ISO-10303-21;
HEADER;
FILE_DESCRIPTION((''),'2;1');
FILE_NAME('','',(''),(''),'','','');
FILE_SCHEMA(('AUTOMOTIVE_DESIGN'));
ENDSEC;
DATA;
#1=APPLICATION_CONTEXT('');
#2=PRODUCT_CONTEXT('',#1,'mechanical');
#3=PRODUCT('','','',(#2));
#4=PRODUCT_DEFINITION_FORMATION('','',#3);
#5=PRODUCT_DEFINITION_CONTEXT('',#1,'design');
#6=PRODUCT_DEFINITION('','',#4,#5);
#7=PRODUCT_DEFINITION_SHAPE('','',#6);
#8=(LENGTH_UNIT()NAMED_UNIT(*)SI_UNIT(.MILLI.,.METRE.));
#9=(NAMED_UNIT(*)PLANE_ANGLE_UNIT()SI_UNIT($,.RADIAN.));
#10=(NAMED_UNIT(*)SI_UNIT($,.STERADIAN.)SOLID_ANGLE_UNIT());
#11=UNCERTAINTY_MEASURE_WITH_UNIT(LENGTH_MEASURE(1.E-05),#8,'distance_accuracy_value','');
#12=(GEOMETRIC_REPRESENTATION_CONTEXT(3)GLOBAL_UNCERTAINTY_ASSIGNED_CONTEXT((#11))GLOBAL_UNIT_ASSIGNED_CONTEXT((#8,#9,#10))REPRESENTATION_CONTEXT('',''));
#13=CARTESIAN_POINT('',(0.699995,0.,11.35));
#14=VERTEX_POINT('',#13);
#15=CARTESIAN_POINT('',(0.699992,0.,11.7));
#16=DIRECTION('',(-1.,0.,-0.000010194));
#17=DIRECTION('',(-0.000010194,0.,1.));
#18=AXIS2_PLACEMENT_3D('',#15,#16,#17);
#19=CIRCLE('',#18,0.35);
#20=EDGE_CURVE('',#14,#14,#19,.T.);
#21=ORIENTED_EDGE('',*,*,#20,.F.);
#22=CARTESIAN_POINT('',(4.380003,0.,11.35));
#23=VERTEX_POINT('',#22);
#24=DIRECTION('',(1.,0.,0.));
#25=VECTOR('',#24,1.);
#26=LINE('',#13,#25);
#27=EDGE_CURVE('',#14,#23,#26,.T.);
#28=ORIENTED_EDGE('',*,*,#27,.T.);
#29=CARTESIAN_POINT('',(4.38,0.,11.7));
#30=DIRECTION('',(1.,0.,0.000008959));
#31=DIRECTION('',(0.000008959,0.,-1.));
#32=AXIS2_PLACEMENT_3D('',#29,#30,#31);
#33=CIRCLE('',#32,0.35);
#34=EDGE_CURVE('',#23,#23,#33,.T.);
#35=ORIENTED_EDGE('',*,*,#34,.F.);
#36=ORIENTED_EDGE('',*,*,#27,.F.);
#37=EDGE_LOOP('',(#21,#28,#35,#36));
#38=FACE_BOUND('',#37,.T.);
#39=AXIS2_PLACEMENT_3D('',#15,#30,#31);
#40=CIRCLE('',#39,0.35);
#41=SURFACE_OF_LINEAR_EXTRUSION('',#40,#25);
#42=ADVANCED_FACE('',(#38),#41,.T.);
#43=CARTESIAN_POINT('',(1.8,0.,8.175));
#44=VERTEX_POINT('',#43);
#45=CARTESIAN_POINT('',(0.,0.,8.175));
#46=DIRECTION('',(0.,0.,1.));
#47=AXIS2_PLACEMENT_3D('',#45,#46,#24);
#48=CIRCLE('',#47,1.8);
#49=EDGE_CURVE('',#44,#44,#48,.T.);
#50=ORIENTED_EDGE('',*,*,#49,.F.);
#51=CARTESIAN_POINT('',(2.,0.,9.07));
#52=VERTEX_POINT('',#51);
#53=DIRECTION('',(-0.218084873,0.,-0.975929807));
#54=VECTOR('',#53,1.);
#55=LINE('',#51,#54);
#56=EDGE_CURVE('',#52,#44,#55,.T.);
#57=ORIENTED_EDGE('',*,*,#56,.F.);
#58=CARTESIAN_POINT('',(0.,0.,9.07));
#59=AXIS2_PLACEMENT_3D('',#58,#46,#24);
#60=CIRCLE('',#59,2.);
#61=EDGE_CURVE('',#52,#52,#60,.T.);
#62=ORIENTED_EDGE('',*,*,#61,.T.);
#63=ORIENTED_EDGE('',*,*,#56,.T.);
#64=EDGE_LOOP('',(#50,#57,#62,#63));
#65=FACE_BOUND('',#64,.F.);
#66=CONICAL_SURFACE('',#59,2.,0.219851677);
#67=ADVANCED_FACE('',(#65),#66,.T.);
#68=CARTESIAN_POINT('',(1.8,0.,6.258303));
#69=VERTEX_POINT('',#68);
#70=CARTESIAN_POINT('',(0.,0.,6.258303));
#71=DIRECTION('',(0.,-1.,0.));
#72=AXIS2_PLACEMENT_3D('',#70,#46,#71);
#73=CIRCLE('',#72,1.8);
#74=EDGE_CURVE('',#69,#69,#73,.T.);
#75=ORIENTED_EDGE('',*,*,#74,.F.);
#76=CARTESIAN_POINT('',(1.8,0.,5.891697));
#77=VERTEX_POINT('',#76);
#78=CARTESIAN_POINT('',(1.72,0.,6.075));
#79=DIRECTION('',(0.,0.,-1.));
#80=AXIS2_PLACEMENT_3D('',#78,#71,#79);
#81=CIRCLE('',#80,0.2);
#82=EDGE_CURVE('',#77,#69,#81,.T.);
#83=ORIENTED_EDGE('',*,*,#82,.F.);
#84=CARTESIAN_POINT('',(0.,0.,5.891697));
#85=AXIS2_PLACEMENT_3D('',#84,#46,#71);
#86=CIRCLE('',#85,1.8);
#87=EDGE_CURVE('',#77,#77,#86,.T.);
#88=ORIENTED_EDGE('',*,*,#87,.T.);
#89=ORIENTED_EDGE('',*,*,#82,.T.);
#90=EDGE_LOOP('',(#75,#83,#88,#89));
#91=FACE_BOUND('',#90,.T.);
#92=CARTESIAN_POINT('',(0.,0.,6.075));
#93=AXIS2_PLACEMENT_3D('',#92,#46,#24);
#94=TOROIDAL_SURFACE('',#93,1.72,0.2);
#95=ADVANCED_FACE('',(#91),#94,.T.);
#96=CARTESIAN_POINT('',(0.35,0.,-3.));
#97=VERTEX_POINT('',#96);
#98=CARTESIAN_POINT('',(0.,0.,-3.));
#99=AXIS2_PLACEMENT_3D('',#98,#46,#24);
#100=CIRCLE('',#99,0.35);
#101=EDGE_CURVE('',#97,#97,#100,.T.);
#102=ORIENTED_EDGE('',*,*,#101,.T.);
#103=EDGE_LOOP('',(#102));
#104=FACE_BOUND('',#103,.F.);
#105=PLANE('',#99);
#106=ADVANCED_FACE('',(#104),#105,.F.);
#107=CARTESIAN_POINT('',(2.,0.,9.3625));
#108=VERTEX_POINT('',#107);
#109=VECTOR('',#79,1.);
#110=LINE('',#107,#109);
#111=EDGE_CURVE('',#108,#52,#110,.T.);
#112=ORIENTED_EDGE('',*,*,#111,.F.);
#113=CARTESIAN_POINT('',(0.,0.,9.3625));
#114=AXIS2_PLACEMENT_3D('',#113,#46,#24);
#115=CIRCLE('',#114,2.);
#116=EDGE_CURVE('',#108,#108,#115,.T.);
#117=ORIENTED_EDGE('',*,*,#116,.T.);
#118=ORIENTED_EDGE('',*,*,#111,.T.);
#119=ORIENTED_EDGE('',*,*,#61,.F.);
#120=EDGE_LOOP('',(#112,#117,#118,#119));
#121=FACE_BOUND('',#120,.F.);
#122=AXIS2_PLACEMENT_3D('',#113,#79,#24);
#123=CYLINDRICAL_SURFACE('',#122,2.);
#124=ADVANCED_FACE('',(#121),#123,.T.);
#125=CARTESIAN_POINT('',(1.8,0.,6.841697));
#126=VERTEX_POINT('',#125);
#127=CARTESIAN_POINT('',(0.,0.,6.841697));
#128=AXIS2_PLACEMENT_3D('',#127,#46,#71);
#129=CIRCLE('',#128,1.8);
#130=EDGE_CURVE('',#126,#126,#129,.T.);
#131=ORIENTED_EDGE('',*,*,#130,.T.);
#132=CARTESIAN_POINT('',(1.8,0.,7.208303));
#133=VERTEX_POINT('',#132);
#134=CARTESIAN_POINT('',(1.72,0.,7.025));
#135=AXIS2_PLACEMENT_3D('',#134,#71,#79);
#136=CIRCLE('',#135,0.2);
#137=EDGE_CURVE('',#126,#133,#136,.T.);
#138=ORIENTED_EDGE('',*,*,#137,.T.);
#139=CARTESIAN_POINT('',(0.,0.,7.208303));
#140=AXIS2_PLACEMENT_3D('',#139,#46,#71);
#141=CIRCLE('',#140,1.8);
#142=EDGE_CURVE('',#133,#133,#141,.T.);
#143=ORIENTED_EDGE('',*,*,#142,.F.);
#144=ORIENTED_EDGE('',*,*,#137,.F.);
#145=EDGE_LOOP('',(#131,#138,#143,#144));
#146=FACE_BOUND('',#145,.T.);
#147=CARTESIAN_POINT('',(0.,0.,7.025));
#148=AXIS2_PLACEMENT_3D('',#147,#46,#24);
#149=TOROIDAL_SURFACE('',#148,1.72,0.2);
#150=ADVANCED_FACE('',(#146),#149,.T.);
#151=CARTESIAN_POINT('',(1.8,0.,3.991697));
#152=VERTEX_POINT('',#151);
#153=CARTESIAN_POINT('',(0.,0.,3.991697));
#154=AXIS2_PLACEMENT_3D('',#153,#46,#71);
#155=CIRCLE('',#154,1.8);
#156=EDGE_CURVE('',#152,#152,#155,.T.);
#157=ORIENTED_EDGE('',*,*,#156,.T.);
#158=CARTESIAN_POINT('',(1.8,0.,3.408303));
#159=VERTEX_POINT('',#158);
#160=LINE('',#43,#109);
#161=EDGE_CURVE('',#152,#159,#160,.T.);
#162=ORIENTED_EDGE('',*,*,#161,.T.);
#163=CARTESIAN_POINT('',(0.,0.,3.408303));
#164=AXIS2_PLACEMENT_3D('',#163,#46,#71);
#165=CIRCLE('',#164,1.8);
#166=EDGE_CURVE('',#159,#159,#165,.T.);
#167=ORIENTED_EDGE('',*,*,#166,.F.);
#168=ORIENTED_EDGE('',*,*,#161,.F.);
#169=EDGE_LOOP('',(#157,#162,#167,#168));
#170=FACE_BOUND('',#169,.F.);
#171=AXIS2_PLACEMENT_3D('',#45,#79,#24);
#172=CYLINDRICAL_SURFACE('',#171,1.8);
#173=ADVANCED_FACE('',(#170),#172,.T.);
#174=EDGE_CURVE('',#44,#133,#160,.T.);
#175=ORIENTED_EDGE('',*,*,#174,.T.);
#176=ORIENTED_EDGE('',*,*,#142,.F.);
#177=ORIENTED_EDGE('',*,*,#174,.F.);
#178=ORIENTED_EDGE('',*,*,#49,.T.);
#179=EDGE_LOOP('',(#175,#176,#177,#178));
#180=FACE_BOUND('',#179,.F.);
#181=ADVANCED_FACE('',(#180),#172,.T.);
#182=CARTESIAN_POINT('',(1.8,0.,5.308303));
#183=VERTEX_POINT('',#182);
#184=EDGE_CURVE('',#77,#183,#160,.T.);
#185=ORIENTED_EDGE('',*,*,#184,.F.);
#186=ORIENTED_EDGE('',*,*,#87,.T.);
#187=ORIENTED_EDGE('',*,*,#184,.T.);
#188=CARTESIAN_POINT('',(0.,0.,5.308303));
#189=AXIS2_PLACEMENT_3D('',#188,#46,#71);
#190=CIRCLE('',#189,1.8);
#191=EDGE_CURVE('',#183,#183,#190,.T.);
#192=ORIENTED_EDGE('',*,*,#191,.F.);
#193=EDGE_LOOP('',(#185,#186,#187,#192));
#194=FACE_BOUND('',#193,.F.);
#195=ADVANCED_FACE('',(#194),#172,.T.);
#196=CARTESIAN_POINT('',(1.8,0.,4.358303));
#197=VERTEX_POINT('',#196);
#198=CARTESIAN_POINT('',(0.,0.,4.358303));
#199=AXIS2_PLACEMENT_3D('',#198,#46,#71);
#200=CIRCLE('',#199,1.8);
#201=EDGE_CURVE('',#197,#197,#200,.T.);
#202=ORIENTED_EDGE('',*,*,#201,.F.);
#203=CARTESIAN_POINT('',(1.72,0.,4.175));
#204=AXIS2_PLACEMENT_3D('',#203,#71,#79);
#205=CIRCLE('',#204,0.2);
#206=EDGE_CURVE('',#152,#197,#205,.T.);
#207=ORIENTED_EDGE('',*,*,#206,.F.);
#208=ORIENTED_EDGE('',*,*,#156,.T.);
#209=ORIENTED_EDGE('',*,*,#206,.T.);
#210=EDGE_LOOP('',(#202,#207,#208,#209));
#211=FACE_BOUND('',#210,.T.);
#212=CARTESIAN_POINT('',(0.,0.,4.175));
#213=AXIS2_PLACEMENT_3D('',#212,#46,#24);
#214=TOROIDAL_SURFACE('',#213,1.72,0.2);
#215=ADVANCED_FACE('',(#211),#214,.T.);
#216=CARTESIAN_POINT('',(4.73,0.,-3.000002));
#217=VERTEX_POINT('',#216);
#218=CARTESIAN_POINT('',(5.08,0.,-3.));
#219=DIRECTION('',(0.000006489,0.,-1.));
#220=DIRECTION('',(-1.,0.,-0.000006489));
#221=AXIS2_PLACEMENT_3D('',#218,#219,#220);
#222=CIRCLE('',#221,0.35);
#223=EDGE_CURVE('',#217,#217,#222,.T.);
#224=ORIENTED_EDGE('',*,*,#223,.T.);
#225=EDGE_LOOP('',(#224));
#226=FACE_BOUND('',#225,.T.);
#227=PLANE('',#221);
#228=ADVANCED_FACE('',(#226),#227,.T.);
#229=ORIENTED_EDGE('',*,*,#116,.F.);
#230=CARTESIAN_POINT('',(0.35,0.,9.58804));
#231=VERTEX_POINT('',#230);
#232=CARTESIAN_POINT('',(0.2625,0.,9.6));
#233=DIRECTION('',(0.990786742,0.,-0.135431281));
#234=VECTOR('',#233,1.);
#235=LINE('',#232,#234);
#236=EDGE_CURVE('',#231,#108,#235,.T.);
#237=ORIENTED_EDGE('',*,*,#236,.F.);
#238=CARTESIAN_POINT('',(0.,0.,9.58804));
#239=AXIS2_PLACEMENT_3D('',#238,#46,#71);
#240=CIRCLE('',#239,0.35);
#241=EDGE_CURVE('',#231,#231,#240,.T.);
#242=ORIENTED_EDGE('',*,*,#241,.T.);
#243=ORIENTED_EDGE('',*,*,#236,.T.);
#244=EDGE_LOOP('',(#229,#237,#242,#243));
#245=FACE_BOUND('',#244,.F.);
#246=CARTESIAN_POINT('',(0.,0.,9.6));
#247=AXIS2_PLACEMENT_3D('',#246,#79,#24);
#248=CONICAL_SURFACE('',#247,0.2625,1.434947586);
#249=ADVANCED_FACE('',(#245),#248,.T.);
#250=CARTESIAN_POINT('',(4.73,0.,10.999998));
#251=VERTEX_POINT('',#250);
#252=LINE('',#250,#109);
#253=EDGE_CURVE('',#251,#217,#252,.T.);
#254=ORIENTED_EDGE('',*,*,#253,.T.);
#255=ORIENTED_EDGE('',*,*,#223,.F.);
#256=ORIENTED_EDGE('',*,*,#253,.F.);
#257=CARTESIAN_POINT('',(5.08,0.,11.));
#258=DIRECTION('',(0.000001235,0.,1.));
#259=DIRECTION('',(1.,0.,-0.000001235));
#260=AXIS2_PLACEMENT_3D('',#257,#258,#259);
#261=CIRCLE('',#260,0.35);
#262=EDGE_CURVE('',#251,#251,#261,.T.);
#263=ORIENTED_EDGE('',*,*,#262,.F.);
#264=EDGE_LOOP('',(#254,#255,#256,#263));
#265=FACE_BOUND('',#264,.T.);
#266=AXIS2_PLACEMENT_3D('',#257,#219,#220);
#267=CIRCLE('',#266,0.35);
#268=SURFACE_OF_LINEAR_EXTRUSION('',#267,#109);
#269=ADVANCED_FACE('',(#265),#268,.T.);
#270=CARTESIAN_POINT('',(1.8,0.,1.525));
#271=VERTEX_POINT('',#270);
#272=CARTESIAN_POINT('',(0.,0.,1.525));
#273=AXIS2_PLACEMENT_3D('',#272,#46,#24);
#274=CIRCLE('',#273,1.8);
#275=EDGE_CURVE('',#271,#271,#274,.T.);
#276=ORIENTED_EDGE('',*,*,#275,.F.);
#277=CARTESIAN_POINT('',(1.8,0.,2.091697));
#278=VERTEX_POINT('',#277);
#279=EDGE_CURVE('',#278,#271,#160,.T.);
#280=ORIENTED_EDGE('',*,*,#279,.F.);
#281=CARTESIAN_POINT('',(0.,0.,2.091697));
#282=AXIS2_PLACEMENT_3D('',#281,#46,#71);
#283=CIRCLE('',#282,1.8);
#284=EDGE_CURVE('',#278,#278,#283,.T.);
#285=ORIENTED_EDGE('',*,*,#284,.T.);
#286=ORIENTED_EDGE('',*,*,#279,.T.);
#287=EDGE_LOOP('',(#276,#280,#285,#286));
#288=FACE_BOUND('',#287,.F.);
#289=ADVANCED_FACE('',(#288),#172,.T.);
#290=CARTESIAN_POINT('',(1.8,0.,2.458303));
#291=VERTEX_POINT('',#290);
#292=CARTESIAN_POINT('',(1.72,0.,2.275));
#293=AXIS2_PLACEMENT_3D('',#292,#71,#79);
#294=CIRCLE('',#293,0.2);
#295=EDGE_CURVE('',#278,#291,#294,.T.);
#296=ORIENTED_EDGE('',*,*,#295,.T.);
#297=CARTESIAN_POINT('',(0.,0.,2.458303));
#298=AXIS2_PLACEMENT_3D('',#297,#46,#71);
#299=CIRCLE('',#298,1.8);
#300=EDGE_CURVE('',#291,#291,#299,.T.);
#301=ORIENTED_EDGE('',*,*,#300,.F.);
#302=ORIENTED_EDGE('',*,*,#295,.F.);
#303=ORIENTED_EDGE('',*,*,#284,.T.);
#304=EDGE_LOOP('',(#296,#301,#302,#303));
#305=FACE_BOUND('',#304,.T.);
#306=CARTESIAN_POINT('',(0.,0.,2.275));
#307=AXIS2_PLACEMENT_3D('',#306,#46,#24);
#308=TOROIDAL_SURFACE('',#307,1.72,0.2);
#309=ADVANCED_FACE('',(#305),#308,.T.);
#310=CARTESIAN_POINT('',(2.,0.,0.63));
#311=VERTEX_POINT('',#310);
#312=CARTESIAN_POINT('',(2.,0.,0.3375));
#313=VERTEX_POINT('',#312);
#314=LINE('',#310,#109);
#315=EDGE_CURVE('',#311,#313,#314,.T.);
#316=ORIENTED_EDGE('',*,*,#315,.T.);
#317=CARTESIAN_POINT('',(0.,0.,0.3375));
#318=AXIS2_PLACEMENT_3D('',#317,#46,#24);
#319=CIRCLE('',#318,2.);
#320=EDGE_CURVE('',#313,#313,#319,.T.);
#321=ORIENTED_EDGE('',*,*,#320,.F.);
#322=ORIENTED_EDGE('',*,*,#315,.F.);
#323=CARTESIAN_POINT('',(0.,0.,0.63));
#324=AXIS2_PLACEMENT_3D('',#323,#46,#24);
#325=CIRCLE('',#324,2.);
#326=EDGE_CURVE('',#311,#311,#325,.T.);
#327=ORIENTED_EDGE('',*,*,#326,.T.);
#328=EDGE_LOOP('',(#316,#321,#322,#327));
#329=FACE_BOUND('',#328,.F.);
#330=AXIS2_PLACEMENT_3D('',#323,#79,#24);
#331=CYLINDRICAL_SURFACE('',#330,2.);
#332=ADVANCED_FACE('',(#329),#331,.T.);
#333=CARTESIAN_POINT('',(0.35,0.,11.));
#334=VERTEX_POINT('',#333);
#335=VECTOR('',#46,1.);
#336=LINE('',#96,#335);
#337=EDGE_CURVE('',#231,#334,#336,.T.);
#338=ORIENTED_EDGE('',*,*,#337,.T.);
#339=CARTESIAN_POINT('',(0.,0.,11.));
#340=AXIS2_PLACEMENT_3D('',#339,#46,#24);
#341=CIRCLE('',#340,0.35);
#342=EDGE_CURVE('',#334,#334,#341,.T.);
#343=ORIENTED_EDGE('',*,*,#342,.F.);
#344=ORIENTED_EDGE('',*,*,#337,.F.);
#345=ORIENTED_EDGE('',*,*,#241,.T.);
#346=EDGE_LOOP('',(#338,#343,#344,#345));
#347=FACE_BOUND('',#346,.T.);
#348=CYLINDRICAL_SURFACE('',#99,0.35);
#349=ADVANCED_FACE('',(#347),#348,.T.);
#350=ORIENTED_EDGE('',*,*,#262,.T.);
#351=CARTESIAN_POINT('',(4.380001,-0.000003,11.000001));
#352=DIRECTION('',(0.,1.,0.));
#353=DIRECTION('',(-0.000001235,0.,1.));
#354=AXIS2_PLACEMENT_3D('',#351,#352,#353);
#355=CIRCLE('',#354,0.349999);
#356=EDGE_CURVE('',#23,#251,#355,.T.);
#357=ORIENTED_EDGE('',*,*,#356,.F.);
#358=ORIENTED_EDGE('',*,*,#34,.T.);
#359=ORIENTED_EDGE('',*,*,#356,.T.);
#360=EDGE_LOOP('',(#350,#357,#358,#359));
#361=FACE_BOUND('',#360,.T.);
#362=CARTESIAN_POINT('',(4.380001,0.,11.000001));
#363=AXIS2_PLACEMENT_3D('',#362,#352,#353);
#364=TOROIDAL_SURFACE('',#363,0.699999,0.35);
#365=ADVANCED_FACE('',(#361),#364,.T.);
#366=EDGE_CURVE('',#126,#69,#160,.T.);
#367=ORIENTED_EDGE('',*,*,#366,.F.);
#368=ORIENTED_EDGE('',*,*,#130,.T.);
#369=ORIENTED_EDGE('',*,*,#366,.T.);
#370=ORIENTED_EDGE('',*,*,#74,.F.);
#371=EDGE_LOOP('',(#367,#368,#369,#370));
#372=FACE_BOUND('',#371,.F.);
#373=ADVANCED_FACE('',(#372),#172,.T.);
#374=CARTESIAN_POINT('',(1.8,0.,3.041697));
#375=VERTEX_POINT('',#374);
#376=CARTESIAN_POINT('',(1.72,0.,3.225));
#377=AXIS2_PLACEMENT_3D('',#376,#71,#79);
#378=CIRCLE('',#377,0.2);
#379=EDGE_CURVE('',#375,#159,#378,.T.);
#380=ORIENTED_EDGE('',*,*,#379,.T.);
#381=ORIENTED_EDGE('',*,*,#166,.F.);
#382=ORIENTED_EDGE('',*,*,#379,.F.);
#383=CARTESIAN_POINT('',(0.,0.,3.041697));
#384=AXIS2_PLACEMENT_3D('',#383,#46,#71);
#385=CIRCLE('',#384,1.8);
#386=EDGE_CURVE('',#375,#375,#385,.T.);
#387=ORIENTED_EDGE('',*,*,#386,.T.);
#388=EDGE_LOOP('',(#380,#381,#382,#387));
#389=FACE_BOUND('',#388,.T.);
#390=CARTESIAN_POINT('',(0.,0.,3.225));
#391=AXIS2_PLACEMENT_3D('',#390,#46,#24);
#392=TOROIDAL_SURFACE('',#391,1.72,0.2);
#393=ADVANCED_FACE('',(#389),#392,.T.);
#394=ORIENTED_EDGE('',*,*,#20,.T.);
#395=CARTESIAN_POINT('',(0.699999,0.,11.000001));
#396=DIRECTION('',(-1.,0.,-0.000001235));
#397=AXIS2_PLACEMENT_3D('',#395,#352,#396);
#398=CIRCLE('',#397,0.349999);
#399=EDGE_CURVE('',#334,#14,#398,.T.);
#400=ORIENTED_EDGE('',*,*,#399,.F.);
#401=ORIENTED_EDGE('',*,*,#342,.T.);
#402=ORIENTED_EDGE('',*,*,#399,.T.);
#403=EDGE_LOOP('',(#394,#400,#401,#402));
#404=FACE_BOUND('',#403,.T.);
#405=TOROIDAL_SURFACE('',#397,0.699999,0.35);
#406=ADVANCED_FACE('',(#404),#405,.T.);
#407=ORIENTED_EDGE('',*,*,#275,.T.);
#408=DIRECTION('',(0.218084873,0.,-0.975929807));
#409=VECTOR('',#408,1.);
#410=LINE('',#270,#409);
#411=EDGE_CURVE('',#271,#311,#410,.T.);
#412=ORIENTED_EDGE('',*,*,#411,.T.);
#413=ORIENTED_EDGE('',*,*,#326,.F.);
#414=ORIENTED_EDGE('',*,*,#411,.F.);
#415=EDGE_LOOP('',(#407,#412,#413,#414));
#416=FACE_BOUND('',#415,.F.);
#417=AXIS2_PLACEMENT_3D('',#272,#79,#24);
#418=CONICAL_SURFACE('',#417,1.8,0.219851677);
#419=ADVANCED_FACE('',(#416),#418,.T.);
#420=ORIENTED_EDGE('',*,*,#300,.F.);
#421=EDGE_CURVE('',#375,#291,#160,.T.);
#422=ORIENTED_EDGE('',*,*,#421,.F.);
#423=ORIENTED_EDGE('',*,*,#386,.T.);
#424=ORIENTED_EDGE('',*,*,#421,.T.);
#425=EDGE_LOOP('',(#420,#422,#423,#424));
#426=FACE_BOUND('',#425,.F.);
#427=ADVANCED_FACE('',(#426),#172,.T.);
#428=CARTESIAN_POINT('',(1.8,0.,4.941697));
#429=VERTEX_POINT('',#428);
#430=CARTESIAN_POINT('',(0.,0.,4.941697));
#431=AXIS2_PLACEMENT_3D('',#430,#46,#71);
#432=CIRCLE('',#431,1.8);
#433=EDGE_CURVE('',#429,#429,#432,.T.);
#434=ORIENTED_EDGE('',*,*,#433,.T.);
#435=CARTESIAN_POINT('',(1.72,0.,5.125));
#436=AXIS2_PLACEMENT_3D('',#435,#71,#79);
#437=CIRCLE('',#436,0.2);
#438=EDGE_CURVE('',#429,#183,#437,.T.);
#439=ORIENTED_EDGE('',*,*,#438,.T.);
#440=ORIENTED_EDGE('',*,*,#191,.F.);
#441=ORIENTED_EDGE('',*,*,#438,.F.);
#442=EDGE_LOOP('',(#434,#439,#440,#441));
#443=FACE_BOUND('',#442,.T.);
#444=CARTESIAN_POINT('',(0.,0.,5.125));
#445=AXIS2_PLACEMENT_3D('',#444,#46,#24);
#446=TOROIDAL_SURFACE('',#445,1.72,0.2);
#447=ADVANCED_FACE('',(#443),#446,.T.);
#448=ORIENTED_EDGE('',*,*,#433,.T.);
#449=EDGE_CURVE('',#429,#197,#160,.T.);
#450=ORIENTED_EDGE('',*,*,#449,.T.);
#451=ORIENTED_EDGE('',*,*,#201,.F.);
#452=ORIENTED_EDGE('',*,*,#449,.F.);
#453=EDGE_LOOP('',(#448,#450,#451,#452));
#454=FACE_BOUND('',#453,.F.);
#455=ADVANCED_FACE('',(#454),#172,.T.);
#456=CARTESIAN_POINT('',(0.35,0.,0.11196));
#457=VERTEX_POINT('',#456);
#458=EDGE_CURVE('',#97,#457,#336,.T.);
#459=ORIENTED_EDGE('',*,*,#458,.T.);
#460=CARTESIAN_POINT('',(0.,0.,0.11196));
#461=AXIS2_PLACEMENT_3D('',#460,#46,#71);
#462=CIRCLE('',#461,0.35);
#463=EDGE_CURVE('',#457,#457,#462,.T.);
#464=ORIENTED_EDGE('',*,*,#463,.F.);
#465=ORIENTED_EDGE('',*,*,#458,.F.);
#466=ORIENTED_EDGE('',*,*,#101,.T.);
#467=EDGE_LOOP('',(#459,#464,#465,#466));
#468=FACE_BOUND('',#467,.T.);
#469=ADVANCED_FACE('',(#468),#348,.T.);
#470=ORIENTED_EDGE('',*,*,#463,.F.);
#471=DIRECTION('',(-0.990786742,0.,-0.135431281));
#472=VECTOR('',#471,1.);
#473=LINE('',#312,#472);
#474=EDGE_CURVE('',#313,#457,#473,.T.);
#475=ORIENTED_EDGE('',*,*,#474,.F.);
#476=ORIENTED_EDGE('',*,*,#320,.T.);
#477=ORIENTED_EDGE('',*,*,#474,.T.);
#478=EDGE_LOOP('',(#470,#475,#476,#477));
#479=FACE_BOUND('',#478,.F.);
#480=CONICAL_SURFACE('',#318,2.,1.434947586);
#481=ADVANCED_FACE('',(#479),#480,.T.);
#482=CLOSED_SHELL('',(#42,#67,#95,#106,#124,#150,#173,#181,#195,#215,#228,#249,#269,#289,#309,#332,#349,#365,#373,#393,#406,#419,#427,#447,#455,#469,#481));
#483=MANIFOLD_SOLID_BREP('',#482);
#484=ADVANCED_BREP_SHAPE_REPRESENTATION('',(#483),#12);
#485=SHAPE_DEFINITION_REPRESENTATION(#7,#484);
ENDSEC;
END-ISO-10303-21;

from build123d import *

# Parameters (mm, degrees)
SKETCH_R = 0.35


with BuildPart() as revolution:
    # Sketch002 → Revolution (revolve)
    with BuildSketch(Plane.XZ):
        Polygon((0, 0.1), (0, 9.6), (0.2625, 9.6), (2, 9.3625), (2, 9.07), (1.8, 8.175), (1.8, 1.525), (2, 0.63), (2, 0.3375), (0.2625, 0.1), align=None)
    revolve(axis=Axis((0, 0, 0), (0, 0, 1)))


with BuildPart() as revolution001:
    # Sketch003 → Revolution001 (revolve)
    with BuildSketch(Plane.XZ):
        with BuildLine():
            Line((1.6, 7.775), (1.6, 1.525))
            Line((1.6, 1.525), (1.72, 1.525))
            Line((1.72, 1.525), (1.72, 2.075))
            ThreePointArc((1.72, 2.075), (1.92, 2.275), (1.72, 2.475))
            Line((1.72, 2.475), (1.72, 3.025))
            ThreePointArc((1.72, 3.025), (1.92, 3.225), (1.72, 3.425))
            Line((1.72, 3.425), (1.72, 3.975))
            ThreePointArc((1.72, 3.975), (1.92, 4.175), (1.72, 4.375))
            Line((1.72, 4.375), (1.72, 4.925))
            ThreePointArc((1.72, 4.925), (1.92, 5.125), (1.72, 5.325))
            Line((1.72, 5.325), (1.72, 5.875))
            ThreePointArc((1.72, 5.875), (1.92, 6.075), (1.72, 6.275))
            Line((1.72, 6.275), (1.72, 6.825))
            ThreePointArc((1.72, 6.825), (1.92, 7.025), (1.72, 7.225))
            Line((1.72, 7.775), (1.72, 7.225))
            Line((1.6, 7.775), (1.72, 7.775))
        make_face()
    revolve(axis=Axis((0, 0, 0), (0, 0, 1)))


with BuildPart() as sweep_mp_cp:
    # Sweep: sweep along a path in Sketch001
    with BuildLine(Plane.XZ) as sweep_path:
        Line((0, -3), (0, 11))
        ThreePointArc((0, 11), (0.205022, 11.494972), (0.699992, 11.7))
        Line((0.699992, 11.7), (4.38, 11.7))
        ThreePointArc((4.38, 11.7), (4.874975, 11.494975), (5.08, 11))
        Line((5.08, 11), (5.08, -3))
    # Sketch → Sweep (sweep)
    with BuildSketch(Plane.XY.offset(-2)):
        Circle(SKETCH_R)
    sweep(path=sweep_path.line)

    # Sweep_mp_cp: union Revolution, Revolution001
    add(revolution.part)
    add(revolution001.part)


solid = sweep_mp_cp.part
